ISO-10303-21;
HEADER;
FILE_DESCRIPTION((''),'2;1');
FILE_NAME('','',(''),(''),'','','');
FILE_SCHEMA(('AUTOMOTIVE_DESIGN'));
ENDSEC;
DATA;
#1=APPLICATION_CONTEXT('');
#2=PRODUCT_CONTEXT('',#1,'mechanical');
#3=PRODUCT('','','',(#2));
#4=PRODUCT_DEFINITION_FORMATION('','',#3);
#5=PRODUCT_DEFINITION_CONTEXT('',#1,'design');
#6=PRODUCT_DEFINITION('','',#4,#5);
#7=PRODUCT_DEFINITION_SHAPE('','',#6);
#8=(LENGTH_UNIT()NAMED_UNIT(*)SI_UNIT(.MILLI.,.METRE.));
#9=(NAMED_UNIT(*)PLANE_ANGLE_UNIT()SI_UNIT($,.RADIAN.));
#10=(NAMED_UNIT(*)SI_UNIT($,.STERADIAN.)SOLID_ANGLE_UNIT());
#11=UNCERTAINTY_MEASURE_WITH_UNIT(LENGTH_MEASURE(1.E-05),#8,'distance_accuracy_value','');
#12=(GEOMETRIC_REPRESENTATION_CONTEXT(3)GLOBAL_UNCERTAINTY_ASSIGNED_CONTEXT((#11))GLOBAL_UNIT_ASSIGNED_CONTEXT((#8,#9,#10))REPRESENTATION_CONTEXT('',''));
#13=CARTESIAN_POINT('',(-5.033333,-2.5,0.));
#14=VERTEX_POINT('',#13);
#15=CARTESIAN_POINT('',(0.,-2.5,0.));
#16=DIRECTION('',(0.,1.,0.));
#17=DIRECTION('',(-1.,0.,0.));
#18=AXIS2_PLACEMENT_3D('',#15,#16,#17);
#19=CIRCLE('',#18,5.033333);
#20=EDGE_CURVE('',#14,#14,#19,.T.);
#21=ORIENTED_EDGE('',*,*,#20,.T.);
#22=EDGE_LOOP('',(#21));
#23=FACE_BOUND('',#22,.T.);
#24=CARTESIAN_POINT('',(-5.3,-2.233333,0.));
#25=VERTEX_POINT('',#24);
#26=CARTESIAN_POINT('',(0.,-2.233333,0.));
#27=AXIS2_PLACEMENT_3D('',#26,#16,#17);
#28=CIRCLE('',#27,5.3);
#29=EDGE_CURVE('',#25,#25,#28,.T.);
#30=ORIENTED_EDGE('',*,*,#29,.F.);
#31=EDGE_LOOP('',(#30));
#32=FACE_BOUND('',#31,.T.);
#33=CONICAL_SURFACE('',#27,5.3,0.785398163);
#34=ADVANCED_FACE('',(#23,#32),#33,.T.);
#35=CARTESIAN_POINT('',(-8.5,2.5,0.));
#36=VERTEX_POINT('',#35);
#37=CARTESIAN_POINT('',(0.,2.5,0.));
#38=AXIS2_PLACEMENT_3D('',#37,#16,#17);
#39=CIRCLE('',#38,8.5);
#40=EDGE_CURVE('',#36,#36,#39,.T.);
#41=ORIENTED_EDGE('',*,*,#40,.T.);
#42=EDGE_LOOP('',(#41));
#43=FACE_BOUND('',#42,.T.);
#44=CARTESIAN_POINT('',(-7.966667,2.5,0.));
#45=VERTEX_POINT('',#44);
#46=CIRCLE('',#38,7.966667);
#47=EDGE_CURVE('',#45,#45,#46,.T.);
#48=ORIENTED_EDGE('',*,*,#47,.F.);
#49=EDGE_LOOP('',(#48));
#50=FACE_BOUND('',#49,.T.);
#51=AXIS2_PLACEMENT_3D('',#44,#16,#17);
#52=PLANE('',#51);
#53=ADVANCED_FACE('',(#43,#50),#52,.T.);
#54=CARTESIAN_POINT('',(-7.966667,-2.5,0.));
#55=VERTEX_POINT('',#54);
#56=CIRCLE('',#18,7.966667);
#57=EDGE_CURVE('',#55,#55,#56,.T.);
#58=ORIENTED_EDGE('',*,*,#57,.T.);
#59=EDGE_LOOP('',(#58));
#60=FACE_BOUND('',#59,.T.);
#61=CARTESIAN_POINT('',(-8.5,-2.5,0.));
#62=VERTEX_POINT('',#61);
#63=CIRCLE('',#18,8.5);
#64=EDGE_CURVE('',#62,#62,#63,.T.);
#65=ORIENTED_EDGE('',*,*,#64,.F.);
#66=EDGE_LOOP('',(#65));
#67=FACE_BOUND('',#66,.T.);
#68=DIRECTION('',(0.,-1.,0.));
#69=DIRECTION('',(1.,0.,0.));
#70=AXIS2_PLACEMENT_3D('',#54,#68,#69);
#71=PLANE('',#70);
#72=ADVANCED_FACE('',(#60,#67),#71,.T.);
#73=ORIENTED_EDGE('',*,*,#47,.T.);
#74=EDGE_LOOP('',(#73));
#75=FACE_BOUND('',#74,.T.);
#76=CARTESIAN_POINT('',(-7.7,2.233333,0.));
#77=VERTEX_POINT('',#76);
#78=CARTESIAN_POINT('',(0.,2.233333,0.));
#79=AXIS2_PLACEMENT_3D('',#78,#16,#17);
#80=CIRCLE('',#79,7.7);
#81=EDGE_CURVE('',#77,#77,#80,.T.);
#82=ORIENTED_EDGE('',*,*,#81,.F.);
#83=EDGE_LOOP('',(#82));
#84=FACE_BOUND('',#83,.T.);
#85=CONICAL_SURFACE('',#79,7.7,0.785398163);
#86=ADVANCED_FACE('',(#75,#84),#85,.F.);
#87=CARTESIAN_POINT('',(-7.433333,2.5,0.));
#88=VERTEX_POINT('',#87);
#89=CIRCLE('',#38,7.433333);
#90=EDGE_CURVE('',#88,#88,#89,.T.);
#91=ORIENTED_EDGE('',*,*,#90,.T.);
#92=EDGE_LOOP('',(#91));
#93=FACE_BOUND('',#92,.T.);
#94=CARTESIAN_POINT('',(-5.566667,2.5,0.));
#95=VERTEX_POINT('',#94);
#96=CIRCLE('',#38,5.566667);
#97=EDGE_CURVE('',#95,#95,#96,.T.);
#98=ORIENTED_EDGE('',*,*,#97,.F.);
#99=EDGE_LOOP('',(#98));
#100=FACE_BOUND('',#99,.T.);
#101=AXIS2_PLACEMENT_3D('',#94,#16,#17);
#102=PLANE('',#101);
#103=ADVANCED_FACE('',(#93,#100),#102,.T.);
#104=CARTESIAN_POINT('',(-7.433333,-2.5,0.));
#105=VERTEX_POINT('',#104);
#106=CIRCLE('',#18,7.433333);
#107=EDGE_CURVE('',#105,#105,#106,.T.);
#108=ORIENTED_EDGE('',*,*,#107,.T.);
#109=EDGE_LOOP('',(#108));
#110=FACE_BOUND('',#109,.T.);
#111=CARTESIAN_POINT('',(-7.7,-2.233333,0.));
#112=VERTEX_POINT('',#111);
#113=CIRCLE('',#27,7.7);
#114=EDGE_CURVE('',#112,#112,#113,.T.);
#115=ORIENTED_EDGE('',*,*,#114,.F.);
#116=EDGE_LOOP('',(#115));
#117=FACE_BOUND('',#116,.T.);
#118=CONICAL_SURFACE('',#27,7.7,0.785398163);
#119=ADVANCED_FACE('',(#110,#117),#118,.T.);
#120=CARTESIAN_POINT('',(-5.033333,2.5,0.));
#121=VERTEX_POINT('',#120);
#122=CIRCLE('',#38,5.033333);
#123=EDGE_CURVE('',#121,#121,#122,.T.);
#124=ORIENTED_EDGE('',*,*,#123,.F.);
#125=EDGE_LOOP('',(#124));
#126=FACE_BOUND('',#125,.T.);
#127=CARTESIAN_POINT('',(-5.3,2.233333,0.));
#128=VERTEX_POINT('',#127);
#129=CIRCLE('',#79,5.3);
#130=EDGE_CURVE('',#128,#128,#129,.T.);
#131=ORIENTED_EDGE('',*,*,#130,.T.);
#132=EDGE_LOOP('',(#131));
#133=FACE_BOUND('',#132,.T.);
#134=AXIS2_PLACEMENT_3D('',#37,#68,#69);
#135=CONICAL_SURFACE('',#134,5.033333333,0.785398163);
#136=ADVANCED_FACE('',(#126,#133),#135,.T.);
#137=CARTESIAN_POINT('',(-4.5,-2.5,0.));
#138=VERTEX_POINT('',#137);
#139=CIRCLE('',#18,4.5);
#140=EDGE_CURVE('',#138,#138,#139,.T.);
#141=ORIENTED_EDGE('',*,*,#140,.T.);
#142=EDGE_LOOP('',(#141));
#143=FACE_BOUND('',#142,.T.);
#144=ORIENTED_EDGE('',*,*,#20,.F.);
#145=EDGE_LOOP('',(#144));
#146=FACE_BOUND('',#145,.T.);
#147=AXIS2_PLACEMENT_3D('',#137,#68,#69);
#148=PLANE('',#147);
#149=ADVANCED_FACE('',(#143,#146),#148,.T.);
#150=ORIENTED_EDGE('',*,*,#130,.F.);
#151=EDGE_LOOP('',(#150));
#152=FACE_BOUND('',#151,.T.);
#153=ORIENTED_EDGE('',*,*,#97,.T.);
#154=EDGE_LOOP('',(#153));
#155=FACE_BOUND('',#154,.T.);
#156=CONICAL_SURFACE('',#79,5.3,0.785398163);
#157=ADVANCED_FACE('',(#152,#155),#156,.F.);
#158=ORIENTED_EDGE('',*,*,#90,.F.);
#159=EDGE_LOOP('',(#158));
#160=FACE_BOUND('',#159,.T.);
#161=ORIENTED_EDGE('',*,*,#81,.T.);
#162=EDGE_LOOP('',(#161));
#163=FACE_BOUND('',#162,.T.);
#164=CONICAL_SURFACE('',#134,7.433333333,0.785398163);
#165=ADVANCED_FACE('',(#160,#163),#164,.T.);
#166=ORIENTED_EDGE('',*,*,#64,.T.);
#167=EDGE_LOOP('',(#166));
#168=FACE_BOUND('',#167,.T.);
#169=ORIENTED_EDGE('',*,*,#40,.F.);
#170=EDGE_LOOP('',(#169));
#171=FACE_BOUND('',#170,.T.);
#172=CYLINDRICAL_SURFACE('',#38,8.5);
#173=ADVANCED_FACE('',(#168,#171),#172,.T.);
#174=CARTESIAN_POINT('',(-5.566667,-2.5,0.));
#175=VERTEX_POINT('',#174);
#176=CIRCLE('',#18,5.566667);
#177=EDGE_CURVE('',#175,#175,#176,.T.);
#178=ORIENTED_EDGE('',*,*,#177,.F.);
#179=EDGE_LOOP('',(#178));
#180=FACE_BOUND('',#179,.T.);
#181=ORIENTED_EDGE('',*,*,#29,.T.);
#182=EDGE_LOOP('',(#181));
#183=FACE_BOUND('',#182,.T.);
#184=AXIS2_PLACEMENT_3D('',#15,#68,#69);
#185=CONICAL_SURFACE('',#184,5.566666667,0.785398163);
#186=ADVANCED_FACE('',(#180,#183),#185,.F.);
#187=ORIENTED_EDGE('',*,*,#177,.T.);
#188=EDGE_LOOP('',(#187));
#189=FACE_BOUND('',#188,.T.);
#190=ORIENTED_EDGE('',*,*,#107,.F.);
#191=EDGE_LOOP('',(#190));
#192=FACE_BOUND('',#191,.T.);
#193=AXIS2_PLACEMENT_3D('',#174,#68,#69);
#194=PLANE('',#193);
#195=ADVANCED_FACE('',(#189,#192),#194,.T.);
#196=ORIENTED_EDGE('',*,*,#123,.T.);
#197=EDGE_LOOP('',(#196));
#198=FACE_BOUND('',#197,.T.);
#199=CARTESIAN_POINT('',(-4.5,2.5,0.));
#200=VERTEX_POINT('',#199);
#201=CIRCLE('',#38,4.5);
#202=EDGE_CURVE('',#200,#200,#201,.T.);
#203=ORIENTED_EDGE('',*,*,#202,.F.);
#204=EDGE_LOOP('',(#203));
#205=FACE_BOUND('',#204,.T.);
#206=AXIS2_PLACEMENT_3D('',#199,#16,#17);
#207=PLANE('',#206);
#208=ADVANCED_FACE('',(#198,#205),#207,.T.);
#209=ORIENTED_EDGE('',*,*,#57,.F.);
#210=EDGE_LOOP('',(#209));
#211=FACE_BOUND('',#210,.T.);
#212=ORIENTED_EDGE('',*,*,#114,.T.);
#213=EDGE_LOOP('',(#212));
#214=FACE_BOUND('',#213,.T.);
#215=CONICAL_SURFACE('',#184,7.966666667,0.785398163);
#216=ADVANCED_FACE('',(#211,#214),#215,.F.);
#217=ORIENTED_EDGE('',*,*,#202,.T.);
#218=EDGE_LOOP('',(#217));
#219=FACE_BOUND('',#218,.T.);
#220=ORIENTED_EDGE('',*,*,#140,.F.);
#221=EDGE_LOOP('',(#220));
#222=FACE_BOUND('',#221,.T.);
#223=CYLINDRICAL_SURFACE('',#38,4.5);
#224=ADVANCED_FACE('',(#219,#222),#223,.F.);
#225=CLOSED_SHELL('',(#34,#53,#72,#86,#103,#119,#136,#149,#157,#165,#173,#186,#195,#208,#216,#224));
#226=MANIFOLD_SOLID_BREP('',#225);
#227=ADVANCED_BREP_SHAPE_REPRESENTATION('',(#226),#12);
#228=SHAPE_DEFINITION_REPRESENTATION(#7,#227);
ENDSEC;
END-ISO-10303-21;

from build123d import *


with BuildPart() as part:
    # Sketch1 → Revolve1 (revolve)
    with BuildSketch(Plane.XY):
        Polygon((-4.5, 2.5), (-5.033333333, 2.5), (-5.3, 2.233333333), (-5.566666667, 2.5), (-7.433333333, 2.5), (-7.7, 2.233333333), (-7.966666667, 2.5), (-8.5, 2.5), (-8.5, -2.5), (-7.966666667, -2.5), (-7.7, -2.233333333), (-7.433333333, -2.5), (-5.566666667, -2.5), (-5.3, -2.233333333), (-5.033333333, -2.5), (-4.5, -2.5), align=None)
    revolve(axis=Axis((0, 2.5, 0), (0, -1, 0)))


solid = part.part
